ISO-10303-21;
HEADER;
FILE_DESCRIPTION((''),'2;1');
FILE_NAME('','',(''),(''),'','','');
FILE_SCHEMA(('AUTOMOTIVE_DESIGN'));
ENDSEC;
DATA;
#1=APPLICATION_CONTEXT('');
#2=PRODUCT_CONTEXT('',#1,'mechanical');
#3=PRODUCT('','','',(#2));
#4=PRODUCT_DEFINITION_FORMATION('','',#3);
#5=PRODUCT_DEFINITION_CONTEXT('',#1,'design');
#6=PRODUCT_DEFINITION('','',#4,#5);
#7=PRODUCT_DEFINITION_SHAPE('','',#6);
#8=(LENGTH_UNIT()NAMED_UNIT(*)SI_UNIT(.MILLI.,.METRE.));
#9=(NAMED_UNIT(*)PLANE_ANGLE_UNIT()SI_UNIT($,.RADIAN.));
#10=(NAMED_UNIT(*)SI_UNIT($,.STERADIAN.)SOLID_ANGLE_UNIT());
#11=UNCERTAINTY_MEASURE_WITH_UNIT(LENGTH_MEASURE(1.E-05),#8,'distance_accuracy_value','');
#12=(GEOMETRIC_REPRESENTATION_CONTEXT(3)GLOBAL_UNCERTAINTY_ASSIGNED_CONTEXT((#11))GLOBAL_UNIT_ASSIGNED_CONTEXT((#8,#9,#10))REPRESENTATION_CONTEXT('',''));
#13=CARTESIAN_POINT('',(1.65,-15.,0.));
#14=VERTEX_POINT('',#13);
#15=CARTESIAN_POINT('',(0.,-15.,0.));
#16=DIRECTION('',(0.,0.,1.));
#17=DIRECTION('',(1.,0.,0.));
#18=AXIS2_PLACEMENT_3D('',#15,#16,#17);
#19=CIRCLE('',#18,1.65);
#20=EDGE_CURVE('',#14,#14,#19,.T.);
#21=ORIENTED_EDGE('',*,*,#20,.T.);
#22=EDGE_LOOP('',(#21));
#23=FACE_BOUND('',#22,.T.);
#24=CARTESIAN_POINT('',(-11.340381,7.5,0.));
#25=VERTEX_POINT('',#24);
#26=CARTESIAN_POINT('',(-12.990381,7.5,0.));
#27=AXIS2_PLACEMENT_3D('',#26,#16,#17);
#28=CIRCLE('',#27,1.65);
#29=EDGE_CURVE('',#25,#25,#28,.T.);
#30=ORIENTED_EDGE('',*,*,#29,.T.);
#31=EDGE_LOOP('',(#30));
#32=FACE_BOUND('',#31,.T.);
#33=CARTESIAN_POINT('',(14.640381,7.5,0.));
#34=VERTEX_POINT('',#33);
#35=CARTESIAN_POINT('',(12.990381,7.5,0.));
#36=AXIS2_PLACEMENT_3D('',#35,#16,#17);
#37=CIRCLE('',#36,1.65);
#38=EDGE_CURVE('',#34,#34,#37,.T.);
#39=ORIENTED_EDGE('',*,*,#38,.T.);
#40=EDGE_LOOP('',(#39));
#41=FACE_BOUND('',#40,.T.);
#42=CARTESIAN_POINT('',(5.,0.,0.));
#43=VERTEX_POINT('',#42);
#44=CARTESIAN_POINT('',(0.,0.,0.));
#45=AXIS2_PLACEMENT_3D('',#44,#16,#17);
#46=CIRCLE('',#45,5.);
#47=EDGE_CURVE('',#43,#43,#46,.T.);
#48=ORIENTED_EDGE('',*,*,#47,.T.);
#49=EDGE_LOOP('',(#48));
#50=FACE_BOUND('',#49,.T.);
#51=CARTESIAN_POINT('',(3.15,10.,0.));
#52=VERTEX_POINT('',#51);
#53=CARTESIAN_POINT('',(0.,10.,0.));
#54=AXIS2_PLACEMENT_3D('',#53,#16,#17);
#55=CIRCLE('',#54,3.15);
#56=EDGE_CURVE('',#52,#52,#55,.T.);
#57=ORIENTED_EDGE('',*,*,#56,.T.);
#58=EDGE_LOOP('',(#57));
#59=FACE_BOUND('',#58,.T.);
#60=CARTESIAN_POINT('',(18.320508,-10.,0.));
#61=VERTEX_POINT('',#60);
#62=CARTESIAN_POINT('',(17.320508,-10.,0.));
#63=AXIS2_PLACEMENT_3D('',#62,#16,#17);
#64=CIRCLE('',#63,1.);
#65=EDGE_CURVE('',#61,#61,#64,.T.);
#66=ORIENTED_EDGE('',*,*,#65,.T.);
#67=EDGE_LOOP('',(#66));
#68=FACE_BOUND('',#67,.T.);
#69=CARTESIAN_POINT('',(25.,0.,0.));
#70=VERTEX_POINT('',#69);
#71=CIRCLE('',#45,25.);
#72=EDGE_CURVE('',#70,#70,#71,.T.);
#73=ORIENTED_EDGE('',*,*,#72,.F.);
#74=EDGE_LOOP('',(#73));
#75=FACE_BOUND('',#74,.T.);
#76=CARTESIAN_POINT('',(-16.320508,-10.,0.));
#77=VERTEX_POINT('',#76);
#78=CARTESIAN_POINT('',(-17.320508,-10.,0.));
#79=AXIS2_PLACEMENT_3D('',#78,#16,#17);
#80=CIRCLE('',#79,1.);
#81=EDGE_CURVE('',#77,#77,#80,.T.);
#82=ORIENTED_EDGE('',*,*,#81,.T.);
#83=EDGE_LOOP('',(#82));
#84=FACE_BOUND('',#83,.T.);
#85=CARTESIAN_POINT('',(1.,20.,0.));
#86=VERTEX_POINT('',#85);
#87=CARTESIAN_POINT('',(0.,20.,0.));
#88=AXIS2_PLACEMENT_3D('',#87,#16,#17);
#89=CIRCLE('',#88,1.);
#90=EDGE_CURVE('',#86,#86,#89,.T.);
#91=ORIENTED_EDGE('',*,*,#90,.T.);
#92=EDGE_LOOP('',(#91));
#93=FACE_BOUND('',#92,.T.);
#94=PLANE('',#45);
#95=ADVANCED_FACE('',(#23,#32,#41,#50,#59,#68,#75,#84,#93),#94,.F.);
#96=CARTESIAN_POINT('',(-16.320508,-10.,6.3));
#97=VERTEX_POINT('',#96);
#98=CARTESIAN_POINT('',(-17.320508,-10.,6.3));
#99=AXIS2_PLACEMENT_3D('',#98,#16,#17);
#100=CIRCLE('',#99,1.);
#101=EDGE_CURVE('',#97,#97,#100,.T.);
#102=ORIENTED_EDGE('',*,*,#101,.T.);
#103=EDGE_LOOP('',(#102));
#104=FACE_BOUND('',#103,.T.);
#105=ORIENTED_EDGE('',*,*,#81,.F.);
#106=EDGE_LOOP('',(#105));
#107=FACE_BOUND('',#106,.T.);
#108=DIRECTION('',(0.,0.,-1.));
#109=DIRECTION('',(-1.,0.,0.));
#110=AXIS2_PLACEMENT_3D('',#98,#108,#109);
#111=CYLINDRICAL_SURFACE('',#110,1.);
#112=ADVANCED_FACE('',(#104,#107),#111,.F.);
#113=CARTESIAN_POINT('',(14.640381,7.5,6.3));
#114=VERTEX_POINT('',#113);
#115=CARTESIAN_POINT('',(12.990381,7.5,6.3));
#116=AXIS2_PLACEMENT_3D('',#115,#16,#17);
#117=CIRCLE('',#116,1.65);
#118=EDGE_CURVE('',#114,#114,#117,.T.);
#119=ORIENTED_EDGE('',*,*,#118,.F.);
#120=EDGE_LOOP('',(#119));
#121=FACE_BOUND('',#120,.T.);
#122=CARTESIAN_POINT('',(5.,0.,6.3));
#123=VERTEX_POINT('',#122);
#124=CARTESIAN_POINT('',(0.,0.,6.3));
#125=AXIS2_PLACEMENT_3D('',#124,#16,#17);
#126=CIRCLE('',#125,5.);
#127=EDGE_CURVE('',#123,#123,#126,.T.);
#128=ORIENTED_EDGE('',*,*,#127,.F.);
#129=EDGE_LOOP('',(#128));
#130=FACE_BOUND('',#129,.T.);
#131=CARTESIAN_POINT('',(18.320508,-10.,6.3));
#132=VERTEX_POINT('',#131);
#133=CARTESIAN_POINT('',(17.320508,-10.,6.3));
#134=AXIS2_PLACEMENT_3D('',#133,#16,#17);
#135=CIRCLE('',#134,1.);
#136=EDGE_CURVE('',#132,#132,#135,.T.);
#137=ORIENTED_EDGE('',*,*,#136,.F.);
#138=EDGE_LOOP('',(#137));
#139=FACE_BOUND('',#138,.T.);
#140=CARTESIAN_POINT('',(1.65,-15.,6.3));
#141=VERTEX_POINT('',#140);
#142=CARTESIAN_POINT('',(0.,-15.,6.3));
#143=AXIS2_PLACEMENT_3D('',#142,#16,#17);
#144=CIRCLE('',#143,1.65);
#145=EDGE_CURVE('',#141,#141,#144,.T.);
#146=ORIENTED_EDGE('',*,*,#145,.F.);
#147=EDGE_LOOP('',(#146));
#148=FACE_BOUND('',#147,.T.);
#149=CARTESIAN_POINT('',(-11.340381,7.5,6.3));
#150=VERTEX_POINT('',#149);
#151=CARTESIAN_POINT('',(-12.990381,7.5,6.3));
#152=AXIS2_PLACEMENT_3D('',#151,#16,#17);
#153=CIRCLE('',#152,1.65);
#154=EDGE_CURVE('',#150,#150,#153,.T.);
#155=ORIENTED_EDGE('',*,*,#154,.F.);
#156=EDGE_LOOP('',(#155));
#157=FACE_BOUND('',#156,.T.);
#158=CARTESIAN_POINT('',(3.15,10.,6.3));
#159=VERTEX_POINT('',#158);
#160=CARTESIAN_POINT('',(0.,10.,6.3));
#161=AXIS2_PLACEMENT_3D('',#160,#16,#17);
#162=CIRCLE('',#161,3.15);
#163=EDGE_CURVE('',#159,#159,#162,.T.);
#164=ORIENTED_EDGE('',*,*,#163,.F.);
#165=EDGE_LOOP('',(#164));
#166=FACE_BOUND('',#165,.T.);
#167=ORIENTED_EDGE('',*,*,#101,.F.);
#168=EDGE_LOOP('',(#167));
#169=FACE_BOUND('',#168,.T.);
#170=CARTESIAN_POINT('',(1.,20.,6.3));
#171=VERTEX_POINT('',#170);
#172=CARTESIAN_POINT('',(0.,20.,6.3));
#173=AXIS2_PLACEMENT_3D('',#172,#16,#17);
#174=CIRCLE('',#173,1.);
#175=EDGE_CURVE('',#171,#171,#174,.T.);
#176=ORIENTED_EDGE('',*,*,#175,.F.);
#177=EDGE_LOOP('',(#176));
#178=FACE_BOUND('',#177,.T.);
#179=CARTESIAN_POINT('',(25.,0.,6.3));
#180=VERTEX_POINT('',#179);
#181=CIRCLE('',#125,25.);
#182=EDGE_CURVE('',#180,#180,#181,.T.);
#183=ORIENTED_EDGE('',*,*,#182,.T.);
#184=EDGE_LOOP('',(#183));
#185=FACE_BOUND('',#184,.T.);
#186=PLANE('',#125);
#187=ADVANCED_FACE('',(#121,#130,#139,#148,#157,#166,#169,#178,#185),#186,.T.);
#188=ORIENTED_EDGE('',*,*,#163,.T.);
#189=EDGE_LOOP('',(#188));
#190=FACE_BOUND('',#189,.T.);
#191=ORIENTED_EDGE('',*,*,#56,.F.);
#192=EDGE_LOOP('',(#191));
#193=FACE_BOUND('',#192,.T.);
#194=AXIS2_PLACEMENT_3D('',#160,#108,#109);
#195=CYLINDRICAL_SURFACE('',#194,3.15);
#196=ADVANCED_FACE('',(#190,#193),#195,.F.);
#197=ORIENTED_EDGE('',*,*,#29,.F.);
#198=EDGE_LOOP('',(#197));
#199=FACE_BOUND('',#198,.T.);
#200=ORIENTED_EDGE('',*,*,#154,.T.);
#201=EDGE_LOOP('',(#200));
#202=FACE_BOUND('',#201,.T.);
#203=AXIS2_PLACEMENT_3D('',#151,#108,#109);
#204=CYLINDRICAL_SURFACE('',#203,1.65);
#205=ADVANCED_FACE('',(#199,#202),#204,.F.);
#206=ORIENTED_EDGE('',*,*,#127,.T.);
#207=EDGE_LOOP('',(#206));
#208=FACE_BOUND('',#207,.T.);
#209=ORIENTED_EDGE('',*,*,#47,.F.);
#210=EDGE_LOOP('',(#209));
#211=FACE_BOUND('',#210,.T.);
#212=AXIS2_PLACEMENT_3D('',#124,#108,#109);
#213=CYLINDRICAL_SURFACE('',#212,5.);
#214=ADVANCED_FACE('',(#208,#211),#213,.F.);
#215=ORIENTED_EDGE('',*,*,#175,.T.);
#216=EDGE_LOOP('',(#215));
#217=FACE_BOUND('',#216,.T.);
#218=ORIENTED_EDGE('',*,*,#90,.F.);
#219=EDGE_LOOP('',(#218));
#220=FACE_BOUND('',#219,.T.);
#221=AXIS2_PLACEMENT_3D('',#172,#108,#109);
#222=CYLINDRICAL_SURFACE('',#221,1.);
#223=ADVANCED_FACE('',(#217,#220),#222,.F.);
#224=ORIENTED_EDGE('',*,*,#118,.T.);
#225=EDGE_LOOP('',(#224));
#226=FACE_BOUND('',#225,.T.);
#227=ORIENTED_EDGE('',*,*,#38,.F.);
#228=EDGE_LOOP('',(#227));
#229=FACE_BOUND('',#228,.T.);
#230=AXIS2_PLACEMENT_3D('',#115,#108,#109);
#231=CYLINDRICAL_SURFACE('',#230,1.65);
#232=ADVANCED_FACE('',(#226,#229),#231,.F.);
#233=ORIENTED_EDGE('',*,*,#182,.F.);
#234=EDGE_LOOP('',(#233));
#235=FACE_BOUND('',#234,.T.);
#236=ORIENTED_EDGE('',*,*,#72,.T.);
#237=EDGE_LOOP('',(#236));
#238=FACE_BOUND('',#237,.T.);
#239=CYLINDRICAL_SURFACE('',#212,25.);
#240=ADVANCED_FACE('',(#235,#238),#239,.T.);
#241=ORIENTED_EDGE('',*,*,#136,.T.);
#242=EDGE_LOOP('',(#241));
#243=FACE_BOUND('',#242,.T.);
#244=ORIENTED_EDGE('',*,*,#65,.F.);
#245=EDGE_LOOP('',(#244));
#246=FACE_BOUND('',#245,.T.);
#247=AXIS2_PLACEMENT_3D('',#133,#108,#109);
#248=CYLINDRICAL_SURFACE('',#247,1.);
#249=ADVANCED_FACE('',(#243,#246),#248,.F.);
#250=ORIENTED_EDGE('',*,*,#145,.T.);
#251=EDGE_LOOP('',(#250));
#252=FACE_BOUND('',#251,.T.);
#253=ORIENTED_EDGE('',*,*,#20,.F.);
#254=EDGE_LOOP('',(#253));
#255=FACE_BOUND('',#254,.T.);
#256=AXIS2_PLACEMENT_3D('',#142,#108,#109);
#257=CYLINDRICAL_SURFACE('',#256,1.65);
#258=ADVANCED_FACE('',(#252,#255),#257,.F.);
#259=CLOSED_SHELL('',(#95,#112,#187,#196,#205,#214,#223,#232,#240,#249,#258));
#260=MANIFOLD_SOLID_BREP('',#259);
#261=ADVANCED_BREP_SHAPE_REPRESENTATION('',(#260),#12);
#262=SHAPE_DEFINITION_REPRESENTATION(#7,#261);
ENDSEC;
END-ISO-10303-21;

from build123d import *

# Parameters (mm, degrees)
SKETCH1_R           = 25
SKETCH1_R_2         = 5
SKETCH1_R_3         = 1
SKETCH1_R_4         = 3.15
SKETCH1_R_5         = 1.65
BOSS_EXTRUDE1_DEPTH = 6.3


with BuildPart() as part:
    # Sketch1 → Boss-Extrude1 (new body)
    with BuildSketch(Plane.XY):
        Circle(SKETCH1_R)
        Circle(SKETCH1_R_2, mode=Mode.SUBTRACT)
        with Locations((0, 20)):
            Circle(SKETCH1_R_3, mode=Mode.SUBTRACT)
        with Locations((17.320508076, -10)):
            Circle(SKETCH1_R_3, mode=Mode.SUBTRACT)
        with Locations((-17.320508076, -10)):
            Circle(SKETCH1_R_3, mode=Mode.SUBTRACT)
        with Locations((0, 10)):
            Circle(SKETCH1_R_4, mode=Mode.SUBTRACT)
        with Locations((-12.990381057, 7.5)):
            Circle(SKETCH1_R_5, mode=Mode.SUBTRACT)
        with Locations((12.990381057, 7.5)):
            Circle(SKETCH1_R_5, mode=Mode.SUBTRACT)
        with Locations((0, -15)):
            Circle(SKETCH1_R_5, mode=Mode.SUBTRACT)
    extrude(amount=BOSS_EXTRUDE1_DEPTH)


solid = part.part
